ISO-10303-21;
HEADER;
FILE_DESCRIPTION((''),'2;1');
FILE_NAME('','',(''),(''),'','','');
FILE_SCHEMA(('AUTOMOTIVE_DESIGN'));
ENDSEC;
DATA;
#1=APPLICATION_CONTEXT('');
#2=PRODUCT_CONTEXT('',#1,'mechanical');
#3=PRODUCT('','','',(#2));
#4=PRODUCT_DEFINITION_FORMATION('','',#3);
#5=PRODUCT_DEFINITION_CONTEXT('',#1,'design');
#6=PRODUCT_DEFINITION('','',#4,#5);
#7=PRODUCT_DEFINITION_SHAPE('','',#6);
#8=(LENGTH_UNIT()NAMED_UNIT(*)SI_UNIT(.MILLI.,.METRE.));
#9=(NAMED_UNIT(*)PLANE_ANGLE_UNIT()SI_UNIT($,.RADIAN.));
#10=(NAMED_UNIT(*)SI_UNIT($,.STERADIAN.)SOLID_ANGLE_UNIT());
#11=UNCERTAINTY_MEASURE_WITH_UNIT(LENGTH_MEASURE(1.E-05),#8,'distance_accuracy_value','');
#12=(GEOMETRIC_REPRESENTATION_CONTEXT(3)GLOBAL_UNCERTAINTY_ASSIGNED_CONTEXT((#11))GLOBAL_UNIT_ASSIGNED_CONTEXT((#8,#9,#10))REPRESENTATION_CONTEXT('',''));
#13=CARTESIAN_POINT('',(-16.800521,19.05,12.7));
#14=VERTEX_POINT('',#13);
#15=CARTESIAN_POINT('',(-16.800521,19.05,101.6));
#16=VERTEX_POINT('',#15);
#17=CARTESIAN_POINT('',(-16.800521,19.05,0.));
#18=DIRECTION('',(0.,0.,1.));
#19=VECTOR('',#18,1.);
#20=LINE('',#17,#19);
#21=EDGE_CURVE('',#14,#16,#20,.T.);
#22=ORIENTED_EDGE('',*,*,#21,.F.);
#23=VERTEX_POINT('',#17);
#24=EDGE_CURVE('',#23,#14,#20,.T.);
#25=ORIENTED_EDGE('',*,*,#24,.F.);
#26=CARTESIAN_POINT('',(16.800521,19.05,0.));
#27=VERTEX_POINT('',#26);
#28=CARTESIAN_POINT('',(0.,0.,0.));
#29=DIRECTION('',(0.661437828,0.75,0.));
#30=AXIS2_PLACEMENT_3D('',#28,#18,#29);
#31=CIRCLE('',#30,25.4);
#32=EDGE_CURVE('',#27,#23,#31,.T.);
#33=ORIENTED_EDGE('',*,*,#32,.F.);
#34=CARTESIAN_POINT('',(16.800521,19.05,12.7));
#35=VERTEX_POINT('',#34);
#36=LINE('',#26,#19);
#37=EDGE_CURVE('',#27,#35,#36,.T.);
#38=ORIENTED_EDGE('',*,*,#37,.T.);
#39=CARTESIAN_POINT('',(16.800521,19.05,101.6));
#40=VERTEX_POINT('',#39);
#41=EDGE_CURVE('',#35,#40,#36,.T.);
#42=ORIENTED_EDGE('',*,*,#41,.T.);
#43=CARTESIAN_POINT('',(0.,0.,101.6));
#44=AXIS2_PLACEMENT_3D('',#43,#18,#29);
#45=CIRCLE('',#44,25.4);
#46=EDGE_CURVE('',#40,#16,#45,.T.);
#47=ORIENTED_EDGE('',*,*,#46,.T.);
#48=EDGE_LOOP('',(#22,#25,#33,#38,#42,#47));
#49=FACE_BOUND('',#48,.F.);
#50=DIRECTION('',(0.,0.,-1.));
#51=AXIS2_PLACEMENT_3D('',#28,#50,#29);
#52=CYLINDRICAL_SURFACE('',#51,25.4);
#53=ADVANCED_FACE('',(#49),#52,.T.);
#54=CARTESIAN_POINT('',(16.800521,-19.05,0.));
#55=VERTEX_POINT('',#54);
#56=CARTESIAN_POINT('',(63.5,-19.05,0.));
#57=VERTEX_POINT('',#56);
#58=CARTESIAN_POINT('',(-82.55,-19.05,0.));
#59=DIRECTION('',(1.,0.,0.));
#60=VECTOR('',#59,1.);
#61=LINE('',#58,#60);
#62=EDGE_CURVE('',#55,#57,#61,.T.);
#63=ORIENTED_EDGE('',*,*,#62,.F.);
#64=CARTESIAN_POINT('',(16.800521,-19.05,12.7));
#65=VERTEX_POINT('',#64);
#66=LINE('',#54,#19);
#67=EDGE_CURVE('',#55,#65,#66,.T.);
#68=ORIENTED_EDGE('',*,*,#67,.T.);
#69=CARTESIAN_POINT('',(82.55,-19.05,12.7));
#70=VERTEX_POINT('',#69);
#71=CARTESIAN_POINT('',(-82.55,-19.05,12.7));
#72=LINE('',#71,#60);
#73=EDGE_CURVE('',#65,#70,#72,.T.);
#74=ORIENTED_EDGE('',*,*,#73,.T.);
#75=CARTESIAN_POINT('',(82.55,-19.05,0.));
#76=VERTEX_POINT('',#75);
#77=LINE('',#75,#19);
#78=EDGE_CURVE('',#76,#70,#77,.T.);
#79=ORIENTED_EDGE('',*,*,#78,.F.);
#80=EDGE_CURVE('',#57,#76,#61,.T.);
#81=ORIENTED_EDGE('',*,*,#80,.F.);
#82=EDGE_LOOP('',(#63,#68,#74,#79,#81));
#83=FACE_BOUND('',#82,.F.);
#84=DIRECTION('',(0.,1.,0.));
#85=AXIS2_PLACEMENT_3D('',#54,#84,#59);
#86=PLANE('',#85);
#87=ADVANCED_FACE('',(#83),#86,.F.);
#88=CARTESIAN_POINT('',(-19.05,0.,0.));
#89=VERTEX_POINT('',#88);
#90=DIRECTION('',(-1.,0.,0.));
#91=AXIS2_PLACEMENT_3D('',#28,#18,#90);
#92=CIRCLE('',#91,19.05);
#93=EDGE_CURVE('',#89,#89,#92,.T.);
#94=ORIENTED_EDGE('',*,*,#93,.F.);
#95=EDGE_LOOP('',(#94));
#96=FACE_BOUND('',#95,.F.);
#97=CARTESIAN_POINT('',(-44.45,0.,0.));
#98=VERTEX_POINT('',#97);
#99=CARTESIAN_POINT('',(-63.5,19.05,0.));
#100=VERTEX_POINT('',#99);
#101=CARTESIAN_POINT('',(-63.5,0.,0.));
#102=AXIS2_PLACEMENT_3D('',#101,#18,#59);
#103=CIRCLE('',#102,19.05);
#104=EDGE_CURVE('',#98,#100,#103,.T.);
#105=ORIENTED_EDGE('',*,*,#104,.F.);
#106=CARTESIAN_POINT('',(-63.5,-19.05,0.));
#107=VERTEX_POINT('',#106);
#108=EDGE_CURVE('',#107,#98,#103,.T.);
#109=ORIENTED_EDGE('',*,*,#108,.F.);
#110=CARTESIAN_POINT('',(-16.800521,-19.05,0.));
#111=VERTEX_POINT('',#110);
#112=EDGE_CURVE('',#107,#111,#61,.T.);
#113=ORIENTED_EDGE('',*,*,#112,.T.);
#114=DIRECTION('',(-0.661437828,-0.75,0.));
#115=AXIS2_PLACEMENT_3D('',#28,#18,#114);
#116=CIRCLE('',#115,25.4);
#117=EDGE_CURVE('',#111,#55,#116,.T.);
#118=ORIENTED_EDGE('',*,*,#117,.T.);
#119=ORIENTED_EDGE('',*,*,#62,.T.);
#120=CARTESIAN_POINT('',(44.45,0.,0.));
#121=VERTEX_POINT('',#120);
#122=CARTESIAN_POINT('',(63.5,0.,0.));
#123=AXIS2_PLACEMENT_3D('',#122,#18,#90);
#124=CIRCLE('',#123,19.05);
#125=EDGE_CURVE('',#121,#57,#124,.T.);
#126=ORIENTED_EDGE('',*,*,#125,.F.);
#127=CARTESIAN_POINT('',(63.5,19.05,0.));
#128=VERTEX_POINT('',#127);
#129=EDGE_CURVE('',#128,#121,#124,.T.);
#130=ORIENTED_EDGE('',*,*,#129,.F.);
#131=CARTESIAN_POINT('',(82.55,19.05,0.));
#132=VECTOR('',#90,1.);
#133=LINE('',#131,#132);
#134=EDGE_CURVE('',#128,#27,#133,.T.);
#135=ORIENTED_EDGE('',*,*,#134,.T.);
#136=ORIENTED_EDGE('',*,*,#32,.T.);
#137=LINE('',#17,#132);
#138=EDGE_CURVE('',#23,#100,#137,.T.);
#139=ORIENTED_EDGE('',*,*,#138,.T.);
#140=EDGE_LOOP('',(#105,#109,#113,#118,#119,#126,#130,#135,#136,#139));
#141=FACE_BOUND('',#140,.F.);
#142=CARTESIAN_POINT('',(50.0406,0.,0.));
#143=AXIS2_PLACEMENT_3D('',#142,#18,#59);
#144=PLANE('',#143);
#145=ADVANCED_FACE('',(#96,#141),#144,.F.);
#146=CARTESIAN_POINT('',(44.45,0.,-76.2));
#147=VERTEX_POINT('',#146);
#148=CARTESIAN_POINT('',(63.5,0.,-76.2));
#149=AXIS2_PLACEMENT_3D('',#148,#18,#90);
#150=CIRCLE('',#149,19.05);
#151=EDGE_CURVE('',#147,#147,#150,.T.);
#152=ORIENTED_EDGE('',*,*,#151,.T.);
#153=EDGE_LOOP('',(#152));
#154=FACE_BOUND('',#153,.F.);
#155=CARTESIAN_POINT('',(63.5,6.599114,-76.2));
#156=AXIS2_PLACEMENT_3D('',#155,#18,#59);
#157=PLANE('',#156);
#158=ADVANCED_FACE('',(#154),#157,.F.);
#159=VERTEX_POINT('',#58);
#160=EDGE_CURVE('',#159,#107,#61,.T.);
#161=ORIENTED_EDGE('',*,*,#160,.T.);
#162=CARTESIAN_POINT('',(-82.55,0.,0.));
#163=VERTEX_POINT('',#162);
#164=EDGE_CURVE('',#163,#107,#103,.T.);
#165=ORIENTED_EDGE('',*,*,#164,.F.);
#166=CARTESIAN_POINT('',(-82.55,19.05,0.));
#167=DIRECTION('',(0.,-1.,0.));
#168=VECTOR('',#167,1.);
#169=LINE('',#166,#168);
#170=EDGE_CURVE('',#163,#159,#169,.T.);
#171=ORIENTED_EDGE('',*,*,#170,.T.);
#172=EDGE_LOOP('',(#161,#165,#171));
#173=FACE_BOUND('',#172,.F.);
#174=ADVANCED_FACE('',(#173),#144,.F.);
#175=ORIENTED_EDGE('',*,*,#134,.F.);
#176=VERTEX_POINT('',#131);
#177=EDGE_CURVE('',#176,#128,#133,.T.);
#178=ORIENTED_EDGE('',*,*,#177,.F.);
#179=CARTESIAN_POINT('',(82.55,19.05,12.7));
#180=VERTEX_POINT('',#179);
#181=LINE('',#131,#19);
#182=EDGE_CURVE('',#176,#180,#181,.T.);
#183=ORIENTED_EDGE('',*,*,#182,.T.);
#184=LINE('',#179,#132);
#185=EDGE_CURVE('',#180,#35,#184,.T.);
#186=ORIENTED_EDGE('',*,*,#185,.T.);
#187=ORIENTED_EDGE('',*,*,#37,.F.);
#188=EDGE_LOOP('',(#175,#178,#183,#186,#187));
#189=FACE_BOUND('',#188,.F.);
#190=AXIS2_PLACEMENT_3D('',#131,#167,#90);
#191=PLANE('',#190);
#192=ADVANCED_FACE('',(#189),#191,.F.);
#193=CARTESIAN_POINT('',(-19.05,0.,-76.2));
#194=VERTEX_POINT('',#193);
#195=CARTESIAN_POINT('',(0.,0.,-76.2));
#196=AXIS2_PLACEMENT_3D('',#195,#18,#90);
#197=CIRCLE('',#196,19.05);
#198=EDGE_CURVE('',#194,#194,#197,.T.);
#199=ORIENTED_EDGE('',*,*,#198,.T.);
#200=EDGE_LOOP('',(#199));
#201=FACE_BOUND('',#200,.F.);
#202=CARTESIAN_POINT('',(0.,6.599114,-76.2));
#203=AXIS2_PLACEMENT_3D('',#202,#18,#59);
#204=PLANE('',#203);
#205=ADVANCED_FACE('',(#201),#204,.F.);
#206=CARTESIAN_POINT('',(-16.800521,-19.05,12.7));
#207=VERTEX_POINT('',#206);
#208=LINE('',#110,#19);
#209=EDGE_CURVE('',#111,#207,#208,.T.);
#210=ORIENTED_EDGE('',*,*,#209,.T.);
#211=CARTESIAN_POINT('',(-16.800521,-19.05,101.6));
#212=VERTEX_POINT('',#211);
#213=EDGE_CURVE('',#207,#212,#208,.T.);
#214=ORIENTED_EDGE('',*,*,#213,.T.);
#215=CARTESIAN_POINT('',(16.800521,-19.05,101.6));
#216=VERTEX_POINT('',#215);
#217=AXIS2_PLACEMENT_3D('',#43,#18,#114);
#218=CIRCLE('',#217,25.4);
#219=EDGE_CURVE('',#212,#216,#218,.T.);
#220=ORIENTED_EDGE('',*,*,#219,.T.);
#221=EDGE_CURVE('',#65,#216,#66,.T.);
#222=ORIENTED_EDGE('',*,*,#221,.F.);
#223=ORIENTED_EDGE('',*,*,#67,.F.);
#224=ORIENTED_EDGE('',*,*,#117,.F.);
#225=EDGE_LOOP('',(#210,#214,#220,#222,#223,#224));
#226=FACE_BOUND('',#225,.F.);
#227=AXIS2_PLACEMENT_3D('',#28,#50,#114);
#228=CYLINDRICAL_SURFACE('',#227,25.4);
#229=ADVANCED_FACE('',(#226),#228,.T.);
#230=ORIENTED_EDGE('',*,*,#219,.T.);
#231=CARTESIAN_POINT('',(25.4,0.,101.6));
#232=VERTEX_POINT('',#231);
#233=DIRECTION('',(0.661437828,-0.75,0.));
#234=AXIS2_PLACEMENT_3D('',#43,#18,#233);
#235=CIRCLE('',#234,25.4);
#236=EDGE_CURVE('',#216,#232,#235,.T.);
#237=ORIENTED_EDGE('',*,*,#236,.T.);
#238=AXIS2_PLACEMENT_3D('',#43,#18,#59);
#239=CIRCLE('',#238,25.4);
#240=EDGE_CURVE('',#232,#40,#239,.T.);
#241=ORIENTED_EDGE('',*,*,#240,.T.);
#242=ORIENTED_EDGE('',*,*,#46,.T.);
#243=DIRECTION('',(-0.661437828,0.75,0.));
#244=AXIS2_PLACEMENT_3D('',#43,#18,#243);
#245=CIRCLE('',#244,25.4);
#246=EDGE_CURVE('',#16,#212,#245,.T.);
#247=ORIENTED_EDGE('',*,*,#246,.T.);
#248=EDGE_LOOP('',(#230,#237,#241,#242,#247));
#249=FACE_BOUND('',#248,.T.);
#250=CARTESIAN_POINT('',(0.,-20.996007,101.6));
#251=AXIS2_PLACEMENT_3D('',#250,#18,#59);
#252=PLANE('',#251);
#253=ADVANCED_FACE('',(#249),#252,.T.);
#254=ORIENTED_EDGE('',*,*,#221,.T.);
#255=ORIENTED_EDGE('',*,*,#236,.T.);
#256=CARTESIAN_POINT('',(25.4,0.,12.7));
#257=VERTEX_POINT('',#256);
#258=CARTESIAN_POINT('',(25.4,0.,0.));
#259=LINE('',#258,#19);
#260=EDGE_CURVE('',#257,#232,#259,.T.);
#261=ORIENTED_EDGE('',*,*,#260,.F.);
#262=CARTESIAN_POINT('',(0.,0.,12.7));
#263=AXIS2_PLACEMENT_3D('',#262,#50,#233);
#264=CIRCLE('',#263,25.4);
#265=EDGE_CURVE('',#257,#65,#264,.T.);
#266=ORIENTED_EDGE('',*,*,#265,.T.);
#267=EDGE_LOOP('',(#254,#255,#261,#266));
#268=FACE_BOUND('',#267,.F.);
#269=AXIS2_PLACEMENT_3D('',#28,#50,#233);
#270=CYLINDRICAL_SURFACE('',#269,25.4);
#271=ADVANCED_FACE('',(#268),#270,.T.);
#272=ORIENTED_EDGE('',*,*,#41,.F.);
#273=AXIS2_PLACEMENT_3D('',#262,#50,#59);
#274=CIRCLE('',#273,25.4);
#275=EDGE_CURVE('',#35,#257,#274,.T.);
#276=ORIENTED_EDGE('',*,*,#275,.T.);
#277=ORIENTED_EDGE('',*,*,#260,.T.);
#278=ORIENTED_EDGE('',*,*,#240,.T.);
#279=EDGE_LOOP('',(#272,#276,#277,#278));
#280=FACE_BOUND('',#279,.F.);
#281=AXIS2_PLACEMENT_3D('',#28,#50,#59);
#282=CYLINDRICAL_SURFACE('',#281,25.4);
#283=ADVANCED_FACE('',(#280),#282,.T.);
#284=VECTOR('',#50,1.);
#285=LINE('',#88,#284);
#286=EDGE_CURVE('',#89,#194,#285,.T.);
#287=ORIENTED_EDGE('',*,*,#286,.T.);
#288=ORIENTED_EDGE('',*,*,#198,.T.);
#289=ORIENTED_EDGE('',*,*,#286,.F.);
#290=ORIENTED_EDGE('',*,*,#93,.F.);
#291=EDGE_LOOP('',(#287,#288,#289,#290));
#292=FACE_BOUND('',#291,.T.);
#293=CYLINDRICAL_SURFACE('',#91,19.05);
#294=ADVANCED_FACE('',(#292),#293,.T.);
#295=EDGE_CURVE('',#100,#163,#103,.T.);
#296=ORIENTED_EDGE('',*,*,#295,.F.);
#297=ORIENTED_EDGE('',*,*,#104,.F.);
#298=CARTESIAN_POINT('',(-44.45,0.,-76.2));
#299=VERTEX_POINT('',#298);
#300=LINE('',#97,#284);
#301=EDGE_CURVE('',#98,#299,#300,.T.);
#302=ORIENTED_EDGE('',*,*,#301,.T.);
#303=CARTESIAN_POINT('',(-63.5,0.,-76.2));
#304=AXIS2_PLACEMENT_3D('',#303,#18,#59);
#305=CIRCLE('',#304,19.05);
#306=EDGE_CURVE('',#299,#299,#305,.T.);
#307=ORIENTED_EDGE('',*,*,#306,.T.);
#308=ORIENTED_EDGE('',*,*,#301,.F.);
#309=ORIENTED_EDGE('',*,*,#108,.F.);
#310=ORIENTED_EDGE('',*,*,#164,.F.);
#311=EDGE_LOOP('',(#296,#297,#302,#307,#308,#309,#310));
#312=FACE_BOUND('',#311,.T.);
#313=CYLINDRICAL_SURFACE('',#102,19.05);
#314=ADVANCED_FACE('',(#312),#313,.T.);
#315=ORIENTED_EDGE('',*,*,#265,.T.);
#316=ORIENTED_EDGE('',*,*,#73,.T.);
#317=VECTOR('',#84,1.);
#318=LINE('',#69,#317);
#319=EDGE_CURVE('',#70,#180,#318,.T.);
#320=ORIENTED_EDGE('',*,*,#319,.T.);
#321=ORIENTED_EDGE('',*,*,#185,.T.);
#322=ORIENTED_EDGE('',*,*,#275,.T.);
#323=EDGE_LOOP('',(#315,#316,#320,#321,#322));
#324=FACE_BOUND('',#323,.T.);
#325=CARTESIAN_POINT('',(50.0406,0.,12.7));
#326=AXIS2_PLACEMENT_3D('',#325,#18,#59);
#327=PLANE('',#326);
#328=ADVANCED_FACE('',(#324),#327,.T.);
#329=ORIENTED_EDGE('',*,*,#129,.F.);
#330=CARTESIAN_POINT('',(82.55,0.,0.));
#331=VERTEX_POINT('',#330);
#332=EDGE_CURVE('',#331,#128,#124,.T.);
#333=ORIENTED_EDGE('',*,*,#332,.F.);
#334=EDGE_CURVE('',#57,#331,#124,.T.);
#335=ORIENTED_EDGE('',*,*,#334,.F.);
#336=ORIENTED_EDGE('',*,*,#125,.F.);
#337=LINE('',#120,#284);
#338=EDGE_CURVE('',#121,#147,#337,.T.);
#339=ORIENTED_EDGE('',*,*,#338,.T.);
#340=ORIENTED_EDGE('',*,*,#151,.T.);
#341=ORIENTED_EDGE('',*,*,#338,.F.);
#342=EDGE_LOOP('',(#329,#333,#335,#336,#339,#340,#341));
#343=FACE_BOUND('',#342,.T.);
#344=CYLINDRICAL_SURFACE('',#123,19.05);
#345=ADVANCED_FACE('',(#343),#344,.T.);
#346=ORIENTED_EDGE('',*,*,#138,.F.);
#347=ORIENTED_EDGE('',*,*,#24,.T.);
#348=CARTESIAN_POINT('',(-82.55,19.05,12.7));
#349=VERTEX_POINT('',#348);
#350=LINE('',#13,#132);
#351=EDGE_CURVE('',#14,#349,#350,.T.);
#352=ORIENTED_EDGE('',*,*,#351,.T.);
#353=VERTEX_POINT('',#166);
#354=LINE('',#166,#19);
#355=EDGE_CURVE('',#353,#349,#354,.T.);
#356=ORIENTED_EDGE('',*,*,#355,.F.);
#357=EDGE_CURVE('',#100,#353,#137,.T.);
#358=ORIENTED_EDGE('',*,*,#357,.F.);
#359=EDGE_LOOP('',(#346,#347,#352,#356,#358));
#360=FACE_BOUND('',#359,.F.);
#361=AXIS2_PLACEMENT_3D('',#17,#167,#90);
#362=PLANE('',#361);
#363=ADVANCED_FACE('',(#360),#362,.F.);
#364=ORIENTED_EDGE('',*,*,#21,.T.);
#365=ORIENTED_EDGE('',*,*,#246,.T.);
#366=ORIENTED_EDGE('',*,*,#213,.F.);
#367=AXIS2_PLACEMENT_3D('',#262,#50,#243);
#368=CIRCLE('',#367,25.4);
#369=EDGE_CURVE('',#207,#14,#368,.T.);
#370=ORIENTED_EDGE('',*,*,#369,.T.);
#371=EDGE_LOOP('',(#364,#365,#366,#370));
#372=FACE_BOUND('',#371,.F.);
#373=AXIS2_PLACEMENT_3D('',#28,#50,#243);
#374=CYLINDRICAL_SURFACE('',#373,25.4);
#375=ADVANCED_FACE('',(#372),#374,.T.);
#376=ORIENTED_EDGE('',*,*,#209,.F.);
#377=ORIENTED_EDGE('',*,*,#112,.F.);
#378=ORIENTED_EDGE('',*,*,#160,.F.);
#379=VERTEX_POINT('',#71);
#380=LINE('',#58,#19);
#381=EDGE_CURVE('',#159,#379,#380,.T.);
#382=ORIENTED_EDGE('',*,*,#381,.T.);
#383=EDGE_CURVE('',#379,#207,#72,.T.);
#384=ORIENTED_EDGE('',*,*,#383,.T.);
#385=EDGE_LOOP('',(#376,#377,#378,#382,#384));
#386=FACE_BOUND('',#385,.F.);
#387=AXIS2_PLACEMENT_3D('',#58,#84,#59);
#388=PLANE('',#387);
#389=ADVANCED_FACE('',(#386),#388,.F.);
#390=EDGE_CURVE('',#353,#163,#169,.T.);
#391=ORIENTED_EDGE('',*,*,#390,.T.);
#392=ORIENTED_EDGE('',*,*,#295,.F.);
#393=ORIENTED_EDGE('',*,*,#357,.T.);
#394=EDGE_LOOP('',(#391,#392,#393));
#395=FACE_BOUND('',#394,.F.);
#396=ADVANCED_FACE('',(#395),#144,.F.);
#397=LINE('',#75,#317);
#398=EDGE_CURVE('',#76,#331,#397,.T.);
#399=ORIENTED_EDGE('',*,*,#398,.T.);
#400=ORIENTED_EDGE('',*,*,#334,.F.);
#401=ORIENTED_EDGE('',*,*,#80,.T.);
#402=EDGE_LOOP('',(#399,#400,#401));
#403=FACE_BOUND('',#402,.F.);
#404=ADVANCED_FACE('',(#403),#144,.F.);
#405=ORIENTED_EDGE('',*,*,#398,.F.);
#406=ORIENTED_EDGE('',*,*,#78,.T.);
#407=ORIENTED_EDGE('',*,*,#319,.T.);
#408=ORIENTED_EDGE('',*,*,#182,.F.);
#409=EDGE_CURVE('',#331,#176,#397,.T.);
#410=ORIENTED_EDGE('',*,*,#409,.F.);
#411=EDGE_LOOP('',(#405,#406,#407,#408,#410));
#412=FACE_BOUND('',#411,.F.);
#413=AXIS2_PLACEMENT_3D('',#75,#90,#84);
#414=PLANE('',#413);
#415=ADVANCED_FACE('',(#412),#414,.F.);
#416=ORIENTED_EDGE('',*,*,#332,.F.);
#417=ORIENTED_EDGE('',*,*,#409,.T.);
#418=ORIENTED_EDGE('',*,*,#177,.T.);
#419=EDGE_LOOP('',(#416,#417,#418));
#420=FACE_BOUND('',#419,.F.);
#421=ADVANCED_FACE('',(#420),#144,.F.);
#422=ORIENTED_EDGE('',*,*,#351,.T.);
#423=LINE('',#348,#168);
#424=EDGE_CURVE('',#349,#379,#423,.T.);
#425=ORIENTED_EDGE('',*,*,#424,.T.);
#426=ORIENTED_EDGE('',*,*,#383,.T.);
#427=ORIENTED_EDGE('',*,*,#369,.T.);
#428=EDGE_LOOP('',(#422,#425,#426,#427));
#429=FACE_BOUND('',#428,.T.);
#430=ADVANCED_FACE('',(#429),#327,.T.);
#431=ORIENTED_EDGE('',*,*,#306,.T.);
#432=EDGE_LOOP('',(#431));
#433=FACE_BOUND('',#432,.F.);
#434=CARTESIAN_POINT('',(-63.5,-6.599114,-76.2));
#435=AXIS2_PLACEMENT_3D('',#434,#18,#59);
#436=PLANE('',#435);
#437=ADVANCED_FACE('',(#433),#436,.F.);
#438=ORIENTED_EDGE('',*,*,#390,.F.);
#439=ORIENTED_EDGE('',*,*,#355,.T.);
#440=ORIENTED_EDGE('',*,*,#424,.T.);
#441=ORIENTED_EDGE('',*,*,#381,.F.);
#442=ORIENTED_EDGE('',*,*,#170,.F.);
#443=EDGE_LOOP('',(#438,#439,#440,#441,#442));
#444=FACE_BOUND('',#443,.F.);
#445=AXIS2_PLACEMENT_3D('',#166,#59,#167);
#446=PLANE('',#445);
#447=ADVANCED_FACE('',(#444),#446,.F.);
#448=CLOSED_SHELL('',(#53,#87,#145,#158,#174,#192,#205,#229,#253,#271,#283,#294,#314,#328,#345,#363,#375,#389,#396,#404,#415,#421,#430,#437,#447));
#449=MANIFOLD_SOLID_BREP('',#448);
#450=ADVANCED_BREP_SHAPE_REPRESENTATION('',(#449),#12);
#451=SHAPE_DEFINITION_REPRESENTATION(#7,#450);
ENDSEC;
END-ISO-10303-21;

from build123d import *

# Parameters (mm, degrees)
F1_DEPTH = 101.6
F2_DEPTH = 12.7
F4_DEPTH = 76.2


with BuildPart() as f1:
    # F0 (on Top) → F1 (new body)
    with BuildSketch(Plane.XY):
        with BuildLine():
            ThreePointArc((-16.8005208253, -19.05), (0, -25.4), (16.8005208253, -19.05))
            Line((16.8005208253, -19.05), (-16.8005208253, -19.05))
        make_face()
        with BuildLine():
            ThreePointArc((25.4, 0), (23.1505208253, 10.4505208253), (16.8005208253, 19.05))
            Line((16.8005208253, 19.05), (-16.8005208253, 19.05))
            ThreePointArc((-16.8005208253, 19.05), (-25.4, 0), (-16.8005208253, -19.05))
            Line((-16.8005208253, -19.05), (16.8005208253, -19.05))
            ThreePointArc((16.8005208253, -19.05), (23.1505208253, -10.4505208253), (25.4, 0))
        make_face()
        with BuildLine():
            Line((-16.8005208253, 19.05), (16.8005208253, 19.05))
            ThreePointArc((16.8005208253, 19.05), (0, 25.4), (-16.8005208253, 19.05))
        make_face()
    extrude(amount=F1_DEPTH)

    # F0 (on Top) → F2 (join)
    with BuildSketch(Plane.XY):
        with BuildLine():
            Line((82.55, -19.05), (82.55, 19.05))
            Line((82.55, 19.05), (16.8005208253, 19.05))
            ThreePointArc((16.8005208253, 19.05), (23.1505208253, 10.4505208253), (25.4, 0))
            ThreePointArc((25.4, 0), (23.1505208253, -10.4505208253), (16.8005208253, -19.05))
            Line((16.8005208253, -19.05), (82.55, -19.05))
        make_face()
        with BuildLine():
            ThreePointArc((25.4, 0), (23.1505208253, 10.4505208253), (16.8005208253, 19.05))
            Line((16.8005208253, 19.05), (-16.8005208253, 19.05))
            ThreePointArc((-16.8005208253, 19.05), (-25.4, 0), (-16.8005208253, -19.05))
            Line((-16.8005208253, -19.05), (16.8005208253, -19.05))
            ThreePointArc((16.8005208253, -19.05), (23.1505208253, -10.4505208253), (25.4, 0))
        make_face()
        with BuildLine():
            Line((-16.8005208253, 19.05), (16.8005208253, 19.05))
            ThreePointArc((16.8005208253, 19.05), (0, 25.4), (-16.8005208253, 19.05))
        make_face()
        with BuildLine():
            ThreePointArc((-16.8005208253, -19.05), (-25.4, 0), (-16.8005208253, 19.05))
            Line((-16.8005208253, 19.05), (-82.55, 19.05))
            Line((-82.55, 19.05), (-82.55, -19.05))
            Line((-82.55, -19.05), (-16.8005208253, -19.05))
        make_face()
        with BuildLine():
            ThreePointArc((-16.8005208253, -19.05), (0, -25.4), (16.8005208253, -19.05))
            Line((16.8005208253, -19.05), (-16.8005208253, -19.05))
        make_face()
    extrude(amount=F2_DEPTH)

    # F3 (on Top) → F4 (join)
    with BuildSketch(Plane.XY):
        with BuildLine():
            Line((0, 0), (19.05, 0))
            ThreePointArc((19.05, 0), (0, 19.05), (-19.05, 0))
            Line((-19.05, 0), (0, 0))
        make_face()
        with BuildLine():
            ThreePointArc((-82.55, 0), (-63.5, -19.05), (-44.45, 0))
            Line((-44.45, 0), (-63.5, 0))
            Line((-63.5, 0), (-82.55, 0))
        make_face()
        with BuildLine():
            Line((-63.5, 0), (-44.45, 0))
            ThreePointArc((-44.45, 0), (-63.5, 19.05), (-82.55, 0))
            Line((-82.55, 0), (-63.5, 0))
        make_face()
        with BuildLine():
            ThreePointArc((-19.05, 0), (0, -19.05), (19.05, 0))
            Line((19.05, 0), (0, 0))
            Line((0, 0), (-19.05, 0))
        make_face()
        with BuildLine():
            ThreePointArc((82.55, 0), (63.5, 19.05), (44.45, 0))
            Line((44.45, 0), (63.5, 0))
            Line((63.5, 0), (82.55, 0))
        make_face()
        with BuildLine():
            Line((63.5, 0), (44.45, 0))
            ThreePointArc((44.45, 0), (63.5, -19.05), (82.55, 0))
            Line((82.55, 0), (63.5, 0))
        make_face()
    extrude(amount=-F4_DEPTH)


solid = f1.part
